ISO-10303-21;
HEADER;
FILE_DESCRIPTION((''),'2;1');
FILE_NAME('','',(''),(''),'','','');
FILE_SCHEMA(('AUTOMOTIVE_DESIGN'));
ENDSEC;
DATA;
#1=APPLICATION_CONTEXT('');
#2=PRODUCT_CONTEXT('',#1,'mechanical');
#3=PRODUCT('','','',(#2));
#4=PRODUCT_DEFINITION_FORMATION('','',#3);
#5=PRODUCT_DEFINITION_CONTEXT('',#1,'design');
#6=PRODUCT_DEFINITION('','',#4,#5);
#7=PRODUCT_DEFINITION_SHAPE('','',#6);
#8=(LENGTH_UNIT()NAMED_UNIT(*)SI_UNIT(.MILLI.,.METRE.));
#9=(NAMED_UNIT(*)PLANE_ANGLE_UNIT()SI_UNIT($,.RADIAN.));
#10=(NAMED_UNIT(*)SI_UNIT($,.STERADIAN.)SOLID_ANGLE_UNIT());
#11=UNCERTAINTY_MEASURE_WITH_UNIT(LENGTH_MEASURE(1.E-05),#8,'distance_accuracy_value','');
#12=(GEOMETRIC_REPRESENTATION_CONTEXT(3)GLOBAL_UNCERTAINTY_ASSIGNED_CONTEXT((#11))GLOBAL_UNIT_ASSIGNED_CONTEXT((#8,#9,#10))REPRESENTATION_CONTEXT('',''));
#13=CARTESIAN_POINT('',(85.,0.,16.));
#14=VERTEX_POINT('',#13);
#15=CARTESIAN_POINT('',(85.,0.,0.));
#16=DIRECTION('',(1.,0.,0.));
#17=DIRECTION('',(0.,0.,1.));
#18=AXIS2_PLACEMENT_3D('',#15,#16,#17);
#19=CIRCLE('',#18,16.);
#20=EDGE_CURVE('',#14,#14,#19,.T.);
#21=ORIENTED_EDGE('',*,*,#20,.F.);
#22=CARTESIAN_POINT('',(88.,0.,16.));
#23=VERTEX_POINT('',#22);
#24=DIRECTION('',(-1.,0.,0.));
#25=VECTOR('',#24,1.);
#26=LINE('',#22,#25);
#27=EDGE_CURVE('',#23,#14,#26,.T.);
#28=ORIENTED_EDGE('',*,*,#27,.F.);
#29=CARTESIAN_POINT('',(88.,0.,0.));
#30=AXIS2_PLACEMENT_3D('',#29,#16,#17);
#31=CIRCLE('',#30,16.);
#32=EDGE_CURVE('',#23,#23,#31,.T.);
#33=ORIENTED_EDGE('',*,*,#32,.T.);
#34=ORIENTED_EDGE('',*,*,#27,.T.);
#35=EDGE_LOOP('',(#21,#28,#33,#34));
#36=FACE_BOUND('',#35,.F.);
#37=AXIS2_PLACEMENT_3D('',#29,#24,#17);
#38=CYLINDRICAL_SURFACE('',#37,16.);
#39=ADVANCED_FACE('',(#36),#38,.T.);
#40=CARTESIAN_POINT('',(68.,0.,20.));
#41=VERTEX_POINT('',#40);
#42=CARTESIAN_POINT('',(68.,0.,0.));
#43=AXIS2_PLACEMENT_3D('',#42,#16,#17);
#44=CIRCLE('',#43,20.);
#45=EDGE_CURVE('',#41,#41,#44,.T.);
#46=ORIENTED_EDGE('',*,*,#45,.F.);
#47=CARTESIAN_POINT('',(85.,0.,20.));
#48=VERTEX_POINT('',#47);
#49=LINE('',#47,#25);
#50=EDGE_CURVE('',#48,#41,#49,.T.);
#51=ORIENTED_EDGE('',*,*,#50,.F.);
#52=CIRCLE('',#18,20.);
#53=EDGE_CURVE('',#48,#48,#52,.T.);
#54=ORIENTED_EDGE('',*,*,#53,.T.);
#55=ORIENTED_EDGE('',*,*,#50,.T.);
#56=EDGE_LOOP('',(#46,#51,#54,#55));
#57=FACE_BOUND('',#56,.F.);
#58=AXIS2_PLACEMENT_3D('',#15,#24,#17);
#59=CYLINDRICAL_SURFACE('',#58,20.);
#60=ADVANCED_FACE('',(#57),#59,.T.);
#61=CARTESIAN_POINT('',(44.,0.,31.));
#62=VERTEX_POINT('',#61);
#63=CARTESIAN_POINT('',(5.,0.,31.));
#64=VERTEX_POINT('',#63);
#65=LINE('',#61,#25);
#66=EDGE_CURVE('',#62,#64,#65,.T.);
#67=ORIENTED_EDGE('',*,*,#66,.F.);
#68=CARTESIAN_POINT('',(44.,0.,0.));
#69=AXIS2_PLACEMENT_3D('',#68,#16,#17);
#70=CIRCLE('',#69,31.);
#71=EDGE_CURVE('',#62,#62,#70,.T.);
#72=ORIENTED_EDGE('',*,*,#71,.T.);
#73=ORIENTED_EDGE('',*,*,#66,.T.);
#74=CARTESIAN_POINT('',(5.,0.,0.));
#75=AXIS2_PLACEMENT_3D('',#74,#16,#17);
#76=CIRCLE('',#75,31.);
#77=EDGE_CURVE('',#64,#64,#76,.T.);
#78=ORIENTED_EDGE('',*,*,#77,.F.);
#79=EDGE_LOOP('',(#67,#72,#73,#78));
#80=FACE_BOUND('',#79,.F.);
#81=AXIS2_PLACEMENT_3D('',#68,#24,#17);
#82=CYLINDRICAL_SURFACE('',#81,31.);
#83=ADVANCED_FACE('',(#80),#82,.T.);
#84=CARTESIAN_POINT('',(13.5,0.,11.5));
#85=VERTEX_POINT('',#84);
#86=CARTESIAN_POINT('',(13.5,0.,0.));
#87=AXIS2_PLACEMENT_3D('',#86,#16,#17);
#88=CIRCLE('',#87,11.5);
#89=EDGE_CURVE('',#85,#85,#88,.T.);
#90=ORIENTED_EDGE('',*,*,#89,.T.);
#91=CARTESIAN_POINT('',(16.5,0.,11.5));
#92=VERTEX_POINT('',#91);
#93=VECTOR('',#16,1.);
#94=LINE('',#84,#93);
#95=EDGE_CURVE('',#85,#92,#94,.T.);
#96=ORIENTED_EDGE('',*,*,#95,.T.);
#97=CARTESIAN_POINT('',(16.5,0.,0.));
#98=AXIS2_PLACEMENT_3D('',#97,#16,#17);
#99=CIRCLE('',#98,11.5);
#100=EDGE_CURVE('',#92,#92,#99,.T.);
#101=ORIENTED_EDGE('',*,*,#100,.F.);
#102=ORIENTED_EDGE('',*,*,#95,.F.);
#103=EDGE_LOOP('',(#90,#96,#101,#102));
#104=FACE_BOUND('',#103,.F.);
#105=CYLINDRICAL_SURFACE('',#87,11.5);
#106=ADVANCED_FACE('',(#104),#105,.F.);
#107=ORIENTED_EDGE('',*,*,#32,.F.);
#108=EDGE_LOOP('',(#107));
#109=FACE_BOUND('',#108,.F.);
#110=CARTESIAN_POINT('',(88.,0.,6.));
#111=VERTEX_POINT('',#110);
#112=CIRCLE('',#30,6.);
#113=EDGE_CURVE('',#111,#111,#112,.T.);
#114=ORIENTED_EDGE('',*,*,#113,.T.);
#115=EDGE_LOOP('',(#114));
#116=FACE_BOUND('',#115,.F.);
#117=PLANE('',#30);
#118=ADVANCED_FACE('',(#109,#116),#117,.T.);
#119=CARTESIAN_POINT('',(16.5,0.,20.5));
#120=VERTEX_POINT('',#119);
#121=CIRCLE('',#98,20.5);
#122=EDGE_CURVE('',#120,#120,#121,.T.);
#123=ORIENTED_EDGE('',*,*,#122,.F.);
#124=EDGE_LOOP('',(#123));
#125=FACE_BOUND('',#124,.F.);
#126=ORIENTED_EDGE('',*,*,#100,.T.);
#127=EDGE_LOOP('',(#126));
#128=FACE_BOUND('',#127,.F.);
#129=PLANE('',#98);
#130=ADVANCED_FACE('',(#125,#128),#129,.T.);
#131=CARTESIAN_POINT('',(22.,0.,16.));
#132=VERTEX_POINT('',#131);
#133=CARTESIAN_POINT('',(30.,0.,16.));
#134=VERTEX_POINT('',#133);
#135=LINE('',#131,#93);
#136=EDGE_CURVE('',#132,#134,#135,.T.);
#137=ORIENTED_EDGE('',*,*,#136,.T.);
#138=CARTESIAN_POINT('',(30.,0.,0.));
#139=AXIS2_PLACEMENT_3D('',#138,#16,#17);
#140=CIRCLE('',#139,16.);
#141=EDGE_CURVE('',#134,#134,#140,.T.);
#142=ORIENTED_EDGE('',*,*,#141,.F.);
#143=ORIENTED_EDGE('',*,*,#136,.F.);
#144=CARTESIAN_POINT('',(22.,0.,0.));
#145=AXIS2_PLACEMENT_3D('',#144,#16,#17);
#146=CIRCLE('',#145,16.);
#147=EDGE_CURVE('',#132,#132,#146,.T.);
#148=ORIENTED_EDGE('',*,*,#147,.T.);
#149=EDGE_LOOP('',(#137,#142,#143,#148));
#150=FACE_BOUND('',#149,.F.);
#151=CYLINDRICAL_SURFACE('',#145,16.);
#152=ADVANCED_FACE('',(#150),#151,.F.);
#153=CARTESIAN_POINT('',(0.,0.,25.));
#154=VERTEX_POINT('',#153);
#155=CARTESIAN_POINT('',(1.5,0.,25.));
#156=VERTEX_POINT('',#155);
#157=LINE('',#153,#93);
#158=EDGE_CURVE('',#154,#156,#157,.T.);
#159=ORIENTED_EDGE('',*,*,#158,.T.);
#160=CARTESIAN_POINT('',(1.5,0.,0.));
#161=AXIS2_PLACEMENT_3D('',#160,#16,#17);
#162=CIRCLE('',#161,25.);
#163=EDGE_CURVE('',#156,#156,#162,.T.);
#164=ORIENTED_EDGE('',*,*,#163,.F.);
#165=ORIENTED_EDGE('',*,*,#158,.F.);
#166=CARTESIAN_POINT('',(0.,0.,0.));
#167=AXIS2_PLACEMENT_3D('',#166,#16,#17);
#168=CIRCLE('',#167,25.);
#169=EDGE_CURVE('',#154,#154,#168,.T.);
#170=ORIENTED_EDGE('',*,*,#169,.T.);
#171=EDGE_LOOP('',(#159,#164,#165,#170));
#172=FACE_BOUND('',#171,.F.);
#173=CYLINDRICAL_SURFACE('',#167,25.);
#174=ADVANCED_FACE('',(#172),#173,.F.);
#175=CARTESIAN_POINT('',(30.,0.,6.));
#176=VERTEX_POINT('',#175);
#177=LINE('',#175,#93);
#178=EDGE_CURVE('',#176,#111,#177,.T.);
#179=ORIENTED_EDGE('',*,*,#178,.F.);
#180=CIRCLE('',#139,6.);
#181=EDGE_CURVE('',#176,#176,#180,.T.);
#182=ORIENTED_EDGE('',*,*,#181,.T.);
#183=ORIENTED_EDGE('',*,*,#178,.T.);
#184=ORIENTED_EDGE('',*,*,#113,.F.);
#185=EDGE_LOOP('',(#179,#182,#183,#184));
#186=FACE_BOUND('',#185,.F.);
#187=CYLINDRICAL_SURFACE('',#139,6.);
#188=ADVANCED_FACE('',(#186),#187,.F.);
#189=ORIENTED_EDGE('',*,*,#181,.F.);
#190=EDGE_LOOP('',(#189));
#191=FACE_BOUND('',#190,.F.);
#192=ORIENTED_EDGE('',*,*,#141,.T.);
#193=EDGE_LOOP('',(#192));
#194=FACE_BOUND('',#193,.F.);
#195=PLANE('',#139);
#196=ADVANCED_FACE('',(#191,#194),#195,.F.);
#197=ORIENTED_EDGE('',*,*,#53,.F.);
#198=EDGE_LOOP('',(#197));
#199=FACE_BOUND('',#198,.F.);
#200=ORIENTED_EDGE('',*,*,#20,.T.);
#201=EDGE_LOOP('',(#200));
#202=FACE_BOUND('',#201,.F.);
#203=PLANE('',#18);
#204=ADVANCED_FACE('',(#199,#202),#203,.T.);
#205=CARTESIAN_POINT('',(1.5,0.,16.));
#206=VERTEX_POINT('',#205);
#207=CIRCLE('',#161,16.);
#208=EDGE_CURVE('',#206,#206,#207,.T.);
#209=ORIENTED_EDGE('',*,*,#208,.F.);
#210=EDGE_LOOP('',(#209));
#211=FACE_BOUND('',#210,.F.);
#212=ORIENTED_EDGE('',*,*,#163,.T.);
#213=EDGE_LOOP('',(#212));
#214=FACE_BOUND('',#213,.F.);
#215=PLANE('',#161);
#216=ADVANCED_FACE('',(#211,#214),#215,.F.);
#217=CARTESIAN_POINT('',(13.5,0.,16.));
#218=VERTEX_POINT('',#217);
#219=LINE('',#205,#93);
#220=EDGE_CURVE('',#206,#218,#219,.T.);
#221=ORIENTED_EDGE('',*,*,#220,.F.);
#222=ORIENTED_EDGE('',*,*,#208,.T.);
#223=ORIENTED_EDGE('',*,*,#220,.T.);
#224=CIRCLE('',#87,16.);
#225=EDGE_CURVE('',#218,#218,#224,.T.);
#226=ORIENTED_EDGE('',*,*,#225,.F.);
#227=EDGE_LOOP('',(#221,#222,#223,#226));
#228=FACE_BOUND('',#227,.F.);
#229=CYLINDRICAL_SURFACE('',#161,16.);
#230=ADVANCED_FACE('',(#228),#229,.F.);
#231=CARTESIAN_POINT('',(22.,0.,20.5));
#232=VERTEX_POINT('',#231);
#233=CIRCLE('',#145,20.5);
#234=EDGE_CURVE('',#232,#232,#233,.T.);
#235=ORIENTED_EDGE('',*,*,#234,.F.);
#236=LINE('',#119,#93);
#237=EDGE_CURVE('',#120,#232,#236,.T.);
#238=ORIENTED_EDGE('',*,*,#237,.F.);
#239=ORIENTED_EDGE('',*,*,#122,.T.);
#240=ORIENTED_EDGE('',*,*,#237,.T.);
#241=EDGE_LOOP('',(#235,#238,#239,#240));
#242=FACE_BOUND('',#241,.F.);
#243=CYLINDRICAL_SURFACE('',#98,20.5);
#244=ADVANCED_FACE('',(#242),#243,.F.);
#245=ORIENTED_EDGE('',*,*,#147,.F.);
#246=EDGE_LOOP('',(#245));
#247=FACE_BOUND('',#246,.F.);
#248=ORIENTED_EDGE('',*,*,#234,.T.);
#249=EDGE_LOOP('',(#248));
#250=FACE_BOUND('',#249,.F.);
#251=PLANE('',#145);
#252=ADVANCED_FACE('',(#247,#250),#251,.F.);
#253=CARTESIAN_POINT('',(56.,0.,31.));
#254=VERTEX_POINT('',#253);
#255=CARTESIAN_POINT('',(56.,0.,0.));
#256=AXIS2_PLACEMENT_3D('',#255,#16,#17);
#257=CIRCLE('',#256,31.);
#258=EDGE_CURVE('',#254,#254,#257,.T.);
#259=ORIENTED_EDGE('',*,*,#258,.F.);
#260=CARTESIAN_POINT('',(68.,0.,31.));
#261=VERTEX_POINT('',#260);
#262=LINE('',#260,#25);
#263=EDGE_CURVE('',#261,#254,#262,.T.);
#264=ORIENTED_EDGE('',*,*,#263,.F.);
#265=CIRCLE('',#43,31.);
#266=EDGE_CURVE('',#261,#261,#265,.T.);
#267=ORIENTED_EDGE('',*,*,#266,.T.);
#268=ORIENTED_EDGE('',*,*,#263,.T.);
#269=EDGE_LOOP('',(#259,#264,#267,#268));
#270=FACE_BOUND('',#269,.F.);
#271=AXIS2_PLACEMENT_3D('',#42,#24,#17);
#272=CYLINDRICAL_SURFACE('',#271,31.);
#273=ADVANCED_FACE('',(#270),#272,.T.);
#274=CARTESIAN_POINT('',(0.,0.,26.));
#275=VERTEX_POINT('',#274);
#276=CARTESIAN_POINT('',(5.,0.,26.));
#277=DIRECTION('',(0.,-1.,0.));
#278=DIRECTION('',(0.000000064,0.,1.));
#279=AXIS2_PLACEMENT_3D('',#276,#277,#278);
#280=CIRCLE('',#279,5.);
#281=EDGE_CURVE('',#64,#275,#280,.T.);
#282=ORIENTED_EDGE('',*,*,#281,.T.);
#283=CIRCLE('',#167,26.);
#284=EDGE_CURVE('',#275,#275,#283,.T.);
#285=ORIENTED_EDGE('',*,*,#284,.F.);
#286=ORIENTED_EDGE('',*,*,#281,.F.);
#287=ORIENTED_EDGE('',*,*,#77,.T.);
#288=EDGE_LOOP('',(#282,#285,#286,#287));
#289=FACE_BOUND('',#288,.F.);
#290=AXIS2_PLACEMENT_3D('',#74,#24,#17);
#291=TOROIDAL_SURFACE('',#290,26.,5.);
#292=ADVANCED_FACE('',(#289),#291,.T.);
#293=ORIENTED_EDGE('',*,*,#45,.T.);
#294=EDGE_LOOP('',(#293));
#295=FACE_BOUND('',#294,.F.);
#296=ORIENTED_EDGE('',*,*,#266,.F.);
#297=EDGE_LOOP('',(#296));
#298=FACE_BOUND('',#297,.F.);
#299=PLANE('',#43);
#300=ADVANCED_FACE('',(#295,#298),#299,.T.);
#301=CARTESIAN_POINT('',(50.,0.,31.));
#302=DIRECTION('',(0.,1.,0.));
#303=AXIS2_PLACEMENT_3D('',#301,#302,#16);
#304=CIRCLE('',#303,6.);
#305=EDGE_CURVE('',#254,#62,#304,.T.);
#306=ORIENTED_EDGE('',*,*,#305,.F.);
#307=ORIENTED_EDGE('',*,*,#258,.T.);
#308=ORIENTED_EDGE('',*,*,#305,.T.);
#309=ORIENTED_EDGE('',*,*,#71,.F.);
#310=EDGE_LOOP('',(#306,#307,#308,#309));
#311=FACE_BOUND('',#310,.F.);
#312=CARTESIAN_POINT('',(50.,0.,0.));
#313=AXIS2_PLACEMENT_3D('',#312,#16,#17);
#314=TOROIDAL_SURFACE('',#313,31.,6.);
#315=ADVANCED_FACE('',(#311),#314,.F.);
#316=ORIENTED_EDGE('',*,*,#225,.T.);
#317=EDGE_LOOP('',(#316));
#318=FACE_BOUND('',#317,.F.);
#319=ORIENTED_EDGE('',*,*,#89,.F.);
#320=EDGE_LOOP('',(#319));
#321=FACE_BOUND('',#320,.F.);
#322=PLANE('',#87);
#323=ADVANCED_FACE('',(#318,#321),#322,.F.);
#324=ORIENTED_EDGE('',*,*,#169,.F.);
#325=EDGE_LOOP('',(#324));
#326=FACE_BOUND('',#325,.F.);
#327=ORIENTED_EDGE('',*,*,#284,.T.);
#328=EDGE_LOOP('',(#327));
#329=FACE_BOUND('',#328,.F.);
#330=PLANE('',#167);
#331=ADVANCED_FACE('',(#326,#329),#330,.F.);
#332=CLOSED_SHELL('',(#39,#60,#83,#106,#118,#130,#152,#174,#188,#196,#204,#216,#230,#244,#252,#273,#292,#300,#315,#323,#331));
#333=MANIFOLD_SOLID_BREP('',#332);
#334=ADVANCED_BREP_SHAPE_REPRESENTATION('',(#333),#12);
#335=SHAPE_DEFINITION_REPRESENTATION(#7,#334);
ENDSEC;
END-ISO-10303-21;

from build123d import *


with BuildPart() as f1:
    # F0 (on Front) → F1 (revolve)
    with BuildSketch(Plane.XZ):
        with BuildLine():
            Line((0, 26), (0, 25))
            Line((0, 25), (1.5, 25))
            Line((1.5, 25), (1.5, 16))
            Line((1.5, 16), (13.5, 16))
            Line((13.5, 16), (13.5, 11.5))
            Line((13.5, 11.5), (16.5, 11.5))
            Line((16.5, 11.5), (16.5, 20.5))
            Line((16.5, 20.5), (22, 20.5))
            Line((22, 20.5), (22, 16))
            Line((22, 16), (30, 16))
            Line((30, 16), (30, 6))
            Line((30, 6), (88, 6))
            Line((88, 6), (88, 16))
            Line((88, 16), (85, 16))
            Line((85, 16), (85, 20))
            Line((85, 20), (68, 20))
            Line((68, 20), (68, 31))
            Line((68, 31), (56, 31))
            ThreePointArc((56, 31), (50, 25), (44, 31))
            Line((44, 31), (5, 31))
            ThreePointArc((5, 31), (1.464466, 29.535534), (0, 26))
        make_face()
    revolve(axis=Axis((54.839118, 0, 0), (1, 0, 0)))


solid = f1.part
